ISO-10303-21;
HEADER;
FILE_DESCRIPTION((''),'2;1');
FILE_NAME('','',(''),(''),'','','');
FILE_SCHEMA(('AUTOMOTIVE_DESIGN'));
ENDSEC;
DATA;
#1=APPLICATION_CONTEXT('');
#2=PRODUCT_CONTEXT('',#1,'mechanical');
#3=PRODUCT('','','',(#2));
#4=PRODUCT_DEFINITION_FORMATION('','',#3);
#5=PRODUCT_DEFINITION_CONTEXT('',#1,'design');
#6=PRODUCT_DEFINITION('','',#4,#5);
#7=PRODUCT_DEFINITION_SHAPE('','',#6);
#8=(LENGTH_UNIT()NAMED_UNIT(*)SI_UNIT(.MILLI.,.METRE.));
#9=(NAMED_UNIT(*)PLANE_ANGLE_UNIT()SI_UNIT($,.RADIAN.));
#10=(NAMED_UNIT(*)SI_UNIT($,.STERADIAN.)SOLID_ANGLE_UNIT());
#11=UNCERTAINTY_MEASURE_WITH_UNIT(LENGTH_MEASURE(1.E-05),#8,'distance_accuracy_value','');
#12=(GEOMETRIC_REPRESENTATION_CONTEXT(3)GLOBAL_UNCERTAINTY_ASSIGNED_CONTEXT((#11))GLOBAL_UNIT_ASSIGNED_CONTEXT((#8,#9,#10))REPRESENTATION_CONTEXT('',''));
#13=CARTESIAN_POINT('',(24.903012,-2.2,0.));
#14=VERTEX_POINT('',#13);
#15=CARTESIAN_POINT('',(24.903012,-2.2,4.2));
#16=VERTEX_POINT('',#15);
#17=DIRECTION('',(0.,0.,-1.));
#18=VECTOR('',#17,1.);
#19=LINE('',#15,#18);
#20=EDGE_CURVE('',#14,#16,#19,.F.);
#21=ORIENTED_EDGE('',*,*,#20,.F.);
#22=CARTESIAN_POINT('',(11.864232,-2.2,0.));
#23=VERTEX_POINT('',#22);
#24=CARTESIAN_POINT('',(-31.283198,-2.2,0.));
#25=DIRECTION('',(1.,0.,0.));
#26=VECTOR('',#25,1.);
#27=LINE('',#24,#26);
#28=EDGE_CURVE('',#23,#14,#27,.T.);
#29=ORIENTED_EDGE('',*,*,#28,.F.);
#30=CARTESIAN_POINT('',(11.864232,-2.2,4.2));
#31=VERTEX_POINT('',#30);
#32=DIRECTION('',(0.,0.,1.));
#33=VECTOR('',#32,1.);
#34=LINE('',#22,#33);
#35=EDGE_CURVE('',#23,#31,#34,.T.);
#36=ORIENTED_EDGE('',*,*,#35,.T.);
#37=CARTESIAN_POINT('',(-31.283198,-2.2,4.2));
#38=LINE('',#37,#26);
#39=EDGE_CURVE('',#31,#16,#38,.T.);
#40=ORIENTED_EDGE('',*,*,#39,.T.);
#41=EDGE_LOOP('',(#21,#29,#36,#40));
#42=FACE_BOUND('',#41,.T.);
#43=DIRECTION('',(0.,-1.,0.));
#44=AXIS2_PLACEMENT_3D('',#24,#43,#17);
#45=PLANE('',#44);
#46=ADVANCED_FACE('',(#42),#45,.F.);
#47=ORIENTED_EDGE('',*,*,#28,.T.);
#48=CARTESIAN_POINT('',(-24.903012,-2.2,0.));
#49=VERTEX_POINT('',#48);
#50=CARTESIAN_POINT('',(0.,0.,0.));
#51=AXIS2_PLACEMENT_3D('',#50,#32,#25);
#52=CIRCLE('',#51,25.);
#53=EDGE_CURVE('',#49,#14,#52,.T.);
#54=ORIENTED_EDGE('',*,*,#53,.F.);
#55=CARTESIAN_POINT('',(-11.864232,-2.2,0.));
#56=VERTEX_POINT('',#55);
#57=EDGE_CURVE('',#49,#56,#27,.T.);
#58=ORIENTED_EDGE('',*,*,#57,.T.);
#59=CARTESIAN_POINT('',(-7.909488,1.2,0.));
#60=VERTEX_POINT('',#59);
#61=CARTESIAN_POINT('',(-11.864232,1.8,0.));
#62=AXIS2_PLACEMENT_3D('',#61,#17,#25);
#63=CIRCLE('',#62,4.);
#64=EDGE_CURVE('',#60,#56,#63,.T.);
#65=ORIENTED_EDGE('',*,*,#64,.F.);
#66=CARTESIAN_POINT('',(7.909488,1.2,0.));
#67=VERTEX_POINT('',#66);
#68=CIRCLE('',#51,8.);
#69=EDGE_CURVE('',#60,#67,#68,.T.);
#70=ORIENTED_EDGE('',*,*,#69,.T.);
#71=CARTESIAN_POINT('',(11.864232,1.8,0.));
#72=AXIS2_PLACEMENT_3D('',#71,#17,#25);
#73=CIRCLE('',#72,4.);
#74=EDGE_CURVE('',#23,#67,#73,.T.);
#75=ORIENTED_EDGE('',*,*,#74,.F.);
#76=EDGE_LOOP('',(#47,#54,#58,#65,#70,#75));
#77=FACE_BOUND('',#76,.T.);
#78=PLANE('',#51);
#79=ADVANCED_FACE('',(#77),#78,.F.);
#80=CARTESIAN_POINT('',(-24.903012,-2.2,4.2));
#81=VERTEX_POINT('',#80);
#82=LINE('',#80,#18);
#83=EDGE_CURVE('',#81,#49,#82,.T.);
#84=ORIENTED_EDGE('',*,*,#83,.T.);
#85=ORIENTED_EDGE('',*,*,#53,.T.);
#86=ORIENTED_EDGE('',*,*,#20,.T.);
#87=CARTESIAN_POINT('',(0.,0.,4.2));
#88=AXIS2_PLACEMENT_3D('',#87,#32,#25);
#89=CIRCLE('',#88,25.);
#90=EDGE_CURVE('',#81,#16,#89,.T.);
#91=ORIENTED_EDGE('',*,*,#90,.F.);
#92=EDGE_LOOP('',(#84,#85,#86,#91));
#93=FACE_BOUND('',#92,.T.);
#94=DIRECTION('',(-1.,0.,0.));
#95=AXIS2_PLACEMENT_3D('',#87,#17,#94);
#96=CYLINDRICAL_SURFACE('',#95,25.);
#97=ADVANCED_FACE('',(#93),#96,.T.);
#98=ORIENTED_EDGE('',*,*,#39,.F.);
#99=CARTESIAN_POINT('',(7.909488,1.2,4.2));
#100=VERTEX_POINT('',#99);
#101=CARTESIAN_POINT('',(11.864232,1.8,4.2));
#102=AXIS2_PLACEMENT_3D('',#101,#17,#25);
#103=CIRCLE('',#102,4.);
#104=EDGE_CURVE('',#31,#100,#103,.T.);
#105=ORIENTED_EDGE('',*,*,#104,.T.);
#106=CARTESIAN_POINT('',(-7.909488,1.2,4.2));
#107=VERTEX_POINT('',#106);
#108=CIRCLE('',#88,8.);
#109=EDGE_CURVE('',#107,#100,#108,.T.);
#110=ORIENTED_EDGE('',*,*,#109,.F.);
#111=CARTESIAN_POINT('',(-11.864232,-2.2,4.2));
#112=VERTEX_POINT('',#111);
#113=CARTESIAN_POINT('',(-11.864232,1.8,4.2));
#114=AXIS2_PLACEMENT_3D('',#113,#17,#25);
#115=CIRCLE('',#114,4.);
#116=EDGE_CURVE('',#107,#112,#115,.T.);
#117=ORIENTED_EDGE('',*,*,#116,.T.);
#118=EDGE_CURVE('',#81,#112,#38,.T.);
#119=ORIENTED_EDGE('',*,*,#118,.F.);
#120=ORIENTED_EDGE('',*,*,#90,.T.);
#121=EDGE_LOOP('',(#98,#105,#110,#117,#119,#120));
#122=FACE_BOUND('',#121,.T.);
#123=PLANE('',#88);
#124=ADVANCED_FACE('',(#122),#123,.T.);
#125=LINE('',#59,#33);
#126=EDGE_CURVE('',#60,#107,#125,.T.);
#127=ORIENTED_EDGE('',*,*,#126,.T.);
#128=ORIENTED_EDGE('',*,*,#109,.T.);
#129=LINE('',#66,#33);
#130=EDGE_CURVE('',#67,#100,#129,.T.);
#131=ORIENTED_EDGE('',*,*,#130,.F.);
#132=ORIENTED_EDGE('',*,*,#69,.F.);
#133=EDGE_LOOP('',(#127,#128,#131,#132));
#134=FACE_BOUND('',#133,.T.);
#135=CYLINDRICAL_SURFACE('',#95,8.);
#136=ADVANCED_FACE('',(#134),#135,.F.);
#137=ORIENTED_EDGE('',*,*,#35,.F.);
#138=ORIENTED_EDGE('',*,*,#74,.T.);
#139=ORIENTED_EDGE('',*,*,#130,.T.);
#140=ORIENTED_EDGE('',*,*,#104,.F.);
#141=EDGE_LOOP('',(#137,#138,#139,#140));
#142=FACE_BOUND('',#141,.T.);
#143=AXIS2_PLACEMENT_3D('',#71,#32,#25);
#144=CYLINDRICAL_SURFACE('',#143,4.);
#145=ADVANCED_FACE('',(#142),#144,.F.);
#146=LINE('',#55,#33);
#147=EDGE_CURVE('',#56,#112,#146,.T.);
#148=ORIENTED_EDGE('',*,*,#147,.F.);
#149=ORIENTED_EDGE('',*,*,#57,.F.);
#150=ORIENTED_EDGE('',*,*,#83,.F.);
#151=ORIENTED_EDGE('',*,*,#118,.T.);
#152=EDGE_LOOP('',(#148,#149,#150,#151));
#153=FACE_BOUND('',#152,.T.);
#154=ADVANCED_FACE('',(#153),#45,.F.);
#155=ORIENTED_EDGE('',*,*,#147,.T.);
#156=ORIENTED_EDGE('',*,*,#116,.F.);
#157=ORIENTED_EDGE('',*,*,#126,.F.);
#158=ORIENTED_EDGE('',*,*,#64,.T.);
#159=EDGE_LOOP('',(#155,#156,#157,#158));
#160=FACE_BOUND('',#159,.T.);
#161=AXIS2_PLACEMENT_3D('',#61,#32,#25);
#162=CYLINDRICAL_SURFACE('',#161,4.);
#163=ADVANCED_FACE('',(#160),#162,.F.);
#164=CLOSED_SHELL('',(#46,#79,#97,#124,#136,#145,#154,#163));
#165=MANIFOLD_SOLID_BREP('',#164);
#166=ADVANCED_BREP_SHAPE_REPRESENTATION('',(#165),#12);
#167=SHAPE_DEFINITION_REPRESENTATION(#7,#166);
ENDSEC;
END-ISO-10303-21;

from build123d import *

# Parameters (mm, degrees)
SKETCH1_R           = 25
SKETCH1_R_2         = 8
BASE_EXTRUDE_DEPTH  = 4.2
CUT_EXTRUDE1_DEPTH  = 5.2
BOSS_EXTRUDE1_DEPTH = 4.2


with BuildPart() as part:
    # Sketch1 → Base-Extrude (new body)
    with BuildSketch(Plane.XY):
        Circle(SKETCH1_R)
        Circle(SKETCH1_R_2, mode=Mode.SUBTRACT)
    extrude(amount=BASE_EXTRUDE_DEPTH)

    # Sketch2 → Cut-Extrude1 (cut, through all)
    with BuildSketch(Plane.XY.offset(4.2)):
        Polygon((-31.283198073, -2.2), (32.499555714, -2.2), (32.499555714, 32.618237466), (-31.739332188, 32.618237466), align=None)
    extrude(amount=-CUT_EXTRUDE1_DEPTH, mode=Mode.SUBTRACT)

    # Sketch3 → Boss-Extrude1 (add)
    with BuildSketch(Plane.XY.offset(4.2)):
        with BuildLine():
            Line((7.691553809, -2.2), (11.86423196, -2.2))
            ThreePointArc((11.86423196, -2.2), (9.256550998, -1.233150178), (7.909487973, 1.2))
            ThreePointArc((7.909487973, 1.2), (7.983616109, -0.511736089), (7.691553809, -2.2))
        make_face()
        with BuildLine():
            Line((-11.86423196, -2.2), (-7.691553809, -2.2))
            ThreePointArc((-7.691553809, -2.2), (-7.983616109, -0.511736089), (-7.909487973, 1.2))
            ThreePointArc((-7.909487973, 1.2), (-9.256550998, -1.233150178), (-11.86423196, -2.2))
        make_face()
    extrude(amount=-BOSS_EXTRUDE1_DEPTH)


solid = part.part
